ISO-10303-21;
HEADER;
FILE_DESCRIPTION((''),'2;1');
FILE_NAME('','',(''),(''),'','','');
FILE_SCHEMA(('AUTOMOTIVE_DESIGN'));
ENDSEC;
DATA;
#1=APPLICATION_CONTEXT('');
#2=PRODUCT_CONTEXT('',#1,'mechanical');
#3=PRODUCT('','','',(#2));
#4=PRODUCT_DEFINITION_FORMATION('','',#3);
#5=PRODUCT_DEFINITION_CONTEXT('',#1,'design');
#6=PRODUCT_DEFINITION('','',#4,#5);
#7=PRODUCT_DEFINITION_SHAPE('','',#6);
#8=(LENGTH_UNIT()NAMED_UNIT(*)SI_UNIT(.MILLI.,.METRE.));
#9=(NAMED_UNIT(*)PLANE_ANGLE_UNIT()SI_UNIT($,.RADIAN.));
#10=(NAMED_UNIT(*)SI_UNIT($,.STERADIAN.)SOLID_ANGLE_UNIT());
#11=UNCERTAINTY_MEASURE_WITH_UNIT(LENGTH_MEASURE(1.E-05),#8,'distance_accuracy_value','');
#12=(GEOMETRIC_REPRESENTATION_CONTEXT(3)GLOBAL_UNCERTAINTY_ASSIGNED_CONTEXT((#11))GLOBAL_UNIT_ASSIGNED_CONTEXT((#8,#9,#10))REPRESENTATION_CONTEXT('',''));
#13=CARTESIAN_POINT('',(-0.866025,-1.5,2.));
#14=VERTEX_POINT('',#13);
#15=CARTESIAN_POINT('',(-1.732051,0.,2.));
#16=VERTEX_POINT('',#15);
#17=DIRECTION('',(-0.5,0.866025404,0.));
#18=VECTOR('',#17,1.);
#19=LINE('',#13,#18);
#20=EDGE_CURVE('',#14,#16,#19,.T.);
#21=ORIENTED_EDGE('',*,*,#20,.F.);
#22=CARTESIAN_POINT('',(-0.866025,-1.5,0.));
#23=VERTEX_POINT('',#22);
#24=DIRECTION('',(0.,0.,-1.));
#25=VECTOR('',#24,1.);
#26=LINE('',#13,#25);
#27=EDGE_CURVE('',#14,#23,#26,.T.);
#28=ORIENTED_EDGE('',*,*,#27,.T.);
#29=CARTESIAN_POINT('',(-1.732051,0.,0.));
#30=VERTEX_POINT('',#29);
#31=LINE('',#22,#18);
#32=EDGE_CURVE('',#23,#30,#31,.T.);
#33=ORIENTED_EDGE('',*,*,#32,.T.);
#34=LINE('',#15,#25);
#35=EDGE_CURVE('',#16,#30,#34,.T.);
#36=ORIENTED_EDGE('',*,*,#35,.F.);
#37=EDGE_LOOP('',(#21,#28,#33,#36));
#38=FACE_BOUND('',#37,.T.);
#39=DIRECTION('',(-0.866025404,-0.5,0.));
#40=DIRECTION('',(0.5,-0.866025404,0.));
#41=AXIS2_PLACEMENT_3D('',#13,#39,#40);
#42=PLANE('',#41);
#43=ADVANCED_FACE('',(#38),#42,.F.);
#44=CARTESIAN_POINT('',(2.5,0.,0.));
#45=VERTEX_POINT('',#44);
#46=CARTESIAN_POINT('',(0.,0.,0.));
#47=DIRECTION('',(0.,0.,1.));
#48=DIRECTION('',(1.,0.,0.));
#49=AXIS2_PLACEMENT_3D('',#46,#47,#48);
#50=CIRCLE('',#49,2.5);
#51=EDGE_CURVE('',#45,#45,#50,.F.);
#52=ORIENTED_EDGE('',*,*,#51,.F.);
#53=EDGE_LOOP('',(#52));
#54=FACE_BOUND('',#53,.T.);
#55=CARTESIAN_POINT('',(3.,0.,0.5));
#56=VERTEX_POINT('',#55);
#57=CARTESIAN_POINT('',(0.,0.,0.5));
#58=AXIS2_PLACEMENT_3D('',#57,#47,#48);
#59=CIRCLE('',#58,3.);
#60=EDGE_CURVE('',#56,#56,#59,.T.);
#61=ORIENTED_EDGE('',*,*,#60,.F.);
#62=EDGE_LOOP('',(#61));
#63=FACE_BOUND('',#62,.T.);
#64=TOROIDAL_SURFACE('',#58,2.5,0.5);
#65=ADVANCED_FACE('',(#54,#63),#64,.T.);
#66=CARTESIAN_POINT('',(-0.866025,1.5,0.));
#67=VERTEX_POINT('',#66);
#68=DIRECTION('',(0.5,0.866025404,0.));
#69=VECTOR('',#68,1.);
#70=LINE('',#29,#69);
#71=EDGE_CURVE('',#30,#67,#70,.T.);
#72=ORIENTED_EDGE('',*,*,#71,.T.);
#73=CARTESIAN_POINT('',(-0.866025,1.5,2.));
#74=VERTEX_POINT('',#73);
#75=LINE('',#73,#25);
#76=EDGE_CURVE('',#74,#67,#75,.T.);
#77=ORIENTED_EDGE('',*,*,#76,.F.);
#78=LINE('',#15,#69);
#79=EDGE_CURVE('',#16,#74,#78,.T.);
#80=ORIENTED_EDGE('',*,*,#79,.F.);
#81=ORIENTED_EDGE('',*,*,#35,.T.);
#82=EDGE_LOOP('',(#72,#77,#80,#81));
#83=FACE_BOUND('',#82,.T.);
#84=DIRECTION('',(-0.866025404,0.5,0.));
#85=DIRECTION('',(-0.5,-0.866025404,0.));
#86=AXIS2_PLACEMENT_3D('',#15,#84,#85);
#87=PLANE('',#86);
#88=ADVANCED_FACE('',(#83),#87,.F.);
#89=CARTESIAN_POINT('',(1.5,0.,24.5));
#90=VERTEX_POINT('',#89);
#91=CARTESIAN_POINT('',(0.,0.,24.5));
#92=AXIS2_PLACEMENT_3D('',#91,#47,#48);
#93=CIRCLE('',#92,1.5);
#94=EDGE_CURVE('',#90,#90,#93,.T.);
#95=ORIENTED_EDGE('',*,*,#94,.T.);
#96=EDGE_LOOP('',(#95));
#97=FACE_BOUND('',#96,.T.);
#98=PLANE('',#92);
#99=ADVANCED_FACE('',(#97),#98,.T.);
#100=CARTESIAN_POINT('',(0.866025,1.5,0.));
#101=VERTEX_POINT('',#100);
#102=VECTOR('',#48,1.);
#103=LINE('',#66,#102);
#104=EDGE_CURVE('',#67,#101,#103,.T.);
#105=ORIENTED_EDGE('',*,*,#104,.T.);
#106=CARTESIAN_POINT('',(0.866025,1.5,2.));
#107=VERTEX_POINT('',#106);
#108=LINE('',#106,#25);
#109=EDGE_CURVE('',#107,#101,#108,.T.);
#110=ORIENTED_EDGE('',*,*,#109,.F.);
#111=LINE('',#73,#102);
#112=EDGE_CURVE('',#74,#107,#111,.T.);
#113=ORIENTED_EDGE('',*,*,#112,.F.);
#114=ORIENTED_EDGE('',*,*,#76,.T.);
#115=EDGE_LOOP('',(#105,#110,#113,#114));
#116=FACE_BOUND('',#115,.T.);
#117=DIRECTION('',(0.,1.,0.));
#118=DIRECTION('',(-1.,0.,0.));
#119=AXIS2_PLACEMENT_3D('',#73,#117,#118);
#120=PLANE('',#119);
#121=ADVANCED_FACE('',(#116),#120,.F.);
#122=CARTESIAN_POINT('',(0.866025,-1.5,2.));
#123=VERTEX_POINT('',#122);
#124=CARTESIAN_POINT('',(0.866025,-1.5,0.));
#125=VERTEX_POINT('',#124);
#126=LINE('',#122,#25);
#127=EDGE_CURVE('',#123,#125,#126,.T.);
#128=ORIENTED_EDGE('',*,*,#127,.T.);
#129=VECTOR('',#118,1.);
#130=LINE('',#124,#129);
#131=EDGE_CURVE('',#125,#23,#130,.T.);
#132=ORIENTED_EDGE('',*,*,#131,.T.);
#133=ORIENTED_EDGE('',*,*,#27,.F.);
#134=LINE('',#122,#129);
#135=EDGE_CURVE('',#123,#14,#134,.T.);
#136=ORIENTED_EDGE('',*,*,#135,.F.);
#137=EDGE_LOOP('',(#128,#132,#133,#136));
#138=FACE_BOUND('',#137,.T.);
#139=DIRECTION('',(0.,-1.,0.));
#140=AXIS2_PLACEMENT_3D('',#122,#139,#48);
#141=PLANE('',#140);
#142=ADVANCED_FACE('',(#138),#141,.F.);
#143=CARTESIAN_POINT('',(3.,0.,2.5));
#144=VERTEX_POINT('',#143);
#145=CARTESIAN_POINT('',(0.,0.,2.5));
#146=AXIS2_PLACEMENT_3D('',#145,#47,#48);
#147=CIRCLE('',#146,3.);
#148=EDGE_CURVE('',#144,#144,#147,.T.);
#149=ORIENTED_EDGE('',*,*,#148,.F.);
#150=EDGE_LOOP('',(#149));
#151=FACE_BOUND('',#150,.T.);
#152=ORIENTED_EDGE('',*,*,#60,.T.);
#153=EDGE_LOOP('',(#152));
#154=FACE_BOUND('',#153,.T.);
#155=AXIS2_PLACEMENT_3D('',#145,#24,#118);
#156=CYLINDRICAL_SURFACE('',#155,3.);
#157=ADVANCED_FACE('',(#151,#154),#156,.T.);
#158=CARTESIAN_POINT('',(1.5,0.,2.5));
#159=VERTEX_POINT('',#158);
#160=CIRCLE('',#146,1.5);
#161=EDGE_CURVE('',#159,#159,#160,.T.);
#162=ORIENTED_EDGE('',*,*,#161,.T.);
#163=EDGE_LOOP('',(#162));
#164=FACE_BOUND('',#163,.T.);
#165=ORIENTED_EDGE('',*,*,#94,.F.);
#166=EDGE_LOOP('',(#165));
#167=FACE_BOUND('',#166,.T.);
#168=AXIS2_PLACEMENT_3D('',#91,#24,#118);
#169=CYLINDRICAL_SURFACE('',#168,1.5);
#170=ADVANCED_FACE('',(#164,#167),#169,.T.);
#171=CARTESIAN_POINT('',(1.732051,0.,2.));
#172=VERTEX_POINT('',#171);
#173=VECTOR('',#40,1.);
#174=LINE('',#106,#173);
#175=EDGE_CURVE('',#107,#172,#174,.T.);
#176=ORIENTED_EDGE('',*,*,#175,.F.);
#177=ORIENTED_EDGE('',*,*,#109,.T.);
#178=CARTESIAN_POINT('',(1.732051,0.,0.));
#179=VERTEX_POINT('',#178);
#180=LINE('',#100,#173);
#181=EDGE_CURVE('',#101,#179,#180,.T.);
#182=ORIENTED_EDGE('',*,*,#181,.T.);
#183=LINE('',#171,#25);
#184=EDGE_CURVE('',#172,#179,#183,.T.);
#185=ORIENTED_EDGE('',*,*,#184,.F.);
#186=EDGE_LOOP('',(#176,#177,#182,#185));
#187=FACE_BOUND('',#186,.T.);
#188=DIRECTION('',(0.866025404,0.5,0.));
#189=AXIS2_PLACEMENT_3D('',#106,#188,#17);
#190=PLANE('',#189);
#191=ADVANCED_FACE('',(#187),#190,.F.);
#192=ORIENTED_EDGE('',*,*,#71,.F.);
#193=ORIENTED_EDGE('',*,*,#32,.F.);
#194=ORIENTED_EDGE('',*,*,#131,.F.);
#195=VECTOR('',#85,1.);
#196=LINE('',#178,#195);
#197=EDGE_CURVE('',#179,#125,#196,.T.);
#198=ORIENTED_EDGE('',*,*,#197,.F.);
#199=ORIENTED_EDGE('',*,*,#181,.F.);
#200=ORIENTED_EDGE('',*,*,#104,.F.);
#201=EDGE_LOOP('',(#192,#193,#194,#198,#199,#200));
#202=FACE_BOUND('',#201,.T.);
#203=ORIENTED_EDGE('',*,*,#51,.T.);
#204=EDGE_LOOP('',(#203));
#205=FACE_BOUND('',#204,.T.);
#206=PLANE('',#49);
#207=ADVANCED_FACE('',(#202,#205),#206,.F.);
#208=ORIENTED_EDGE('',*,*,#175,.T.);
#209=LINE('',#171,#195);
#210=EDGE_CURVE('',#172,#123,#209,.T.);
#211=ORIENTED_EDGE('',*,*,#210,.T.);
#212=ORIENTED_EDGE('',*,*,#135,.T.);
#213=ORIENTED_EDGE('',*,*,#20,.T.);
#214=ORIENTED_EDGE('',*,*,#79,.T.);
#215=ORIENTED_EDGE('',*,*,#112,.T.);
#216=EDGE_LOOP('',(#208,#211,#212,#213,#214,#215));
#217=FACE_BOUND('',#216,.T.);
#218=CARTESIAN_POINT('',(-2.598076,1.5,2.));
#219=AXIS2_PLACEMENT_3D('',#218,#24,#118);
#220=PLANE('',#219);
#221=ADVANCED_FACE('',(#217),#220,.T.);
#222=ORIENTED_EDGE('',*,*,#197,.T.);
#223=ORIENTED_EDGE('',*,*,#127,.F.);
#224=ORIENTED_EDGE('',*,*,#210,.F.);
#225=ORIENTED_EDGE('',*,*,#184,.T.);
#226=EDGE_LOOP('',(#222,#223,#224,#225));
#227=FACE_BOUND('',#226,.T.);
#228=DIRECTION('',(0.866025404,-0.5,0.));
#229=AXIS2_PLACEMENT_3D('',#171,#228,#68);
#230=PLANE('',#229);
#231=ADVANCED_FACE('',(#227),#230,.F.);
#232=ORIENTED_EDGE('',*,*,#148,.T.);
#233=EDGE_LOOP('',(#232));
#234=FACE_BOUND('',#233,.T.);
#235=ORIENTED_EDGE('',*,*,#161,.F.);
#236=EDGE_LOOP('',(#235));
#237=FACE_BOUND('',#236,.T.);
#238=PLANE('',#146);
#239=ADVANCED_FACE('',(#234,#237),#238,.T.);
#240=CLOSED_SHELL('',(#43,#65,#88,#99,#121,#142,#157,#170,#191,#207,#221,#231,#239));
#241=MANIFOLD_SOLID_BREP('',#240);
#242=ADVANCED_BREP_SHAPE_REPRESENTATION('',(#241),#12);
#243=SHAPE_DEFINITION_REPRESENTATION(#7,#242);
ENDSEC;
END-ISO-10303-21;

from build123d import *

# Parameters (mm, degrees)
ESQUISSE1_R             = 3
BASE_EXTRUSION_DEPTH    = 2.5
ESQUISSE2_R             = 1.5
BOSS_EXTRU_1_DEPTH      = 22
CONG_1_R                = 0.5
ENL_V_MAT_EXTRU_1_DEPTH = 2


with BuildPart() as part:
    # Esquisse1 → Base-Extrusion (new body)
    with BuildSketch(Plane.XY):
        Circle(ESQUISSE1_R)
    extrude(amount=BASE_EXTRUSION_DEPTH)

    # Esquisse2 → Boss.-Extru.1 (add)
    with BuildSketch(Plane.XY.offset(2.5)):
        Circle(ESQUISSE2_R)
    extrude(amount=BOSS_EXTRU_1_DEPTH)

    # Congé1
    cong_1_edges = [part.edges().sort_by_distance(p)[0] for p in [
        (-3, 0, 0),
    ]]
    fillet(cong_1_edges, radius=CONG_1_R)

    # Esquisse3 → Enlèv. mat.-Extru.1 (cut)
    with BuildSketch(Plane(origin=(0, 0, 0), x_dir=(-1, 0, 0), z_dir=(0, 0, -1))):
        Polygon((1.732050808, 0), (0.866025404, 1.5), (-0.866025404, 1.5), (-1.732050808, 0), (-0.866025404, -1.5), (0.866025404, -1.5), align=None)
    extrude(amount=-ENL_V_MAT_EXTRU_1_DEPTH, mode=Mode.SUBTRACT)


solid = part.part
